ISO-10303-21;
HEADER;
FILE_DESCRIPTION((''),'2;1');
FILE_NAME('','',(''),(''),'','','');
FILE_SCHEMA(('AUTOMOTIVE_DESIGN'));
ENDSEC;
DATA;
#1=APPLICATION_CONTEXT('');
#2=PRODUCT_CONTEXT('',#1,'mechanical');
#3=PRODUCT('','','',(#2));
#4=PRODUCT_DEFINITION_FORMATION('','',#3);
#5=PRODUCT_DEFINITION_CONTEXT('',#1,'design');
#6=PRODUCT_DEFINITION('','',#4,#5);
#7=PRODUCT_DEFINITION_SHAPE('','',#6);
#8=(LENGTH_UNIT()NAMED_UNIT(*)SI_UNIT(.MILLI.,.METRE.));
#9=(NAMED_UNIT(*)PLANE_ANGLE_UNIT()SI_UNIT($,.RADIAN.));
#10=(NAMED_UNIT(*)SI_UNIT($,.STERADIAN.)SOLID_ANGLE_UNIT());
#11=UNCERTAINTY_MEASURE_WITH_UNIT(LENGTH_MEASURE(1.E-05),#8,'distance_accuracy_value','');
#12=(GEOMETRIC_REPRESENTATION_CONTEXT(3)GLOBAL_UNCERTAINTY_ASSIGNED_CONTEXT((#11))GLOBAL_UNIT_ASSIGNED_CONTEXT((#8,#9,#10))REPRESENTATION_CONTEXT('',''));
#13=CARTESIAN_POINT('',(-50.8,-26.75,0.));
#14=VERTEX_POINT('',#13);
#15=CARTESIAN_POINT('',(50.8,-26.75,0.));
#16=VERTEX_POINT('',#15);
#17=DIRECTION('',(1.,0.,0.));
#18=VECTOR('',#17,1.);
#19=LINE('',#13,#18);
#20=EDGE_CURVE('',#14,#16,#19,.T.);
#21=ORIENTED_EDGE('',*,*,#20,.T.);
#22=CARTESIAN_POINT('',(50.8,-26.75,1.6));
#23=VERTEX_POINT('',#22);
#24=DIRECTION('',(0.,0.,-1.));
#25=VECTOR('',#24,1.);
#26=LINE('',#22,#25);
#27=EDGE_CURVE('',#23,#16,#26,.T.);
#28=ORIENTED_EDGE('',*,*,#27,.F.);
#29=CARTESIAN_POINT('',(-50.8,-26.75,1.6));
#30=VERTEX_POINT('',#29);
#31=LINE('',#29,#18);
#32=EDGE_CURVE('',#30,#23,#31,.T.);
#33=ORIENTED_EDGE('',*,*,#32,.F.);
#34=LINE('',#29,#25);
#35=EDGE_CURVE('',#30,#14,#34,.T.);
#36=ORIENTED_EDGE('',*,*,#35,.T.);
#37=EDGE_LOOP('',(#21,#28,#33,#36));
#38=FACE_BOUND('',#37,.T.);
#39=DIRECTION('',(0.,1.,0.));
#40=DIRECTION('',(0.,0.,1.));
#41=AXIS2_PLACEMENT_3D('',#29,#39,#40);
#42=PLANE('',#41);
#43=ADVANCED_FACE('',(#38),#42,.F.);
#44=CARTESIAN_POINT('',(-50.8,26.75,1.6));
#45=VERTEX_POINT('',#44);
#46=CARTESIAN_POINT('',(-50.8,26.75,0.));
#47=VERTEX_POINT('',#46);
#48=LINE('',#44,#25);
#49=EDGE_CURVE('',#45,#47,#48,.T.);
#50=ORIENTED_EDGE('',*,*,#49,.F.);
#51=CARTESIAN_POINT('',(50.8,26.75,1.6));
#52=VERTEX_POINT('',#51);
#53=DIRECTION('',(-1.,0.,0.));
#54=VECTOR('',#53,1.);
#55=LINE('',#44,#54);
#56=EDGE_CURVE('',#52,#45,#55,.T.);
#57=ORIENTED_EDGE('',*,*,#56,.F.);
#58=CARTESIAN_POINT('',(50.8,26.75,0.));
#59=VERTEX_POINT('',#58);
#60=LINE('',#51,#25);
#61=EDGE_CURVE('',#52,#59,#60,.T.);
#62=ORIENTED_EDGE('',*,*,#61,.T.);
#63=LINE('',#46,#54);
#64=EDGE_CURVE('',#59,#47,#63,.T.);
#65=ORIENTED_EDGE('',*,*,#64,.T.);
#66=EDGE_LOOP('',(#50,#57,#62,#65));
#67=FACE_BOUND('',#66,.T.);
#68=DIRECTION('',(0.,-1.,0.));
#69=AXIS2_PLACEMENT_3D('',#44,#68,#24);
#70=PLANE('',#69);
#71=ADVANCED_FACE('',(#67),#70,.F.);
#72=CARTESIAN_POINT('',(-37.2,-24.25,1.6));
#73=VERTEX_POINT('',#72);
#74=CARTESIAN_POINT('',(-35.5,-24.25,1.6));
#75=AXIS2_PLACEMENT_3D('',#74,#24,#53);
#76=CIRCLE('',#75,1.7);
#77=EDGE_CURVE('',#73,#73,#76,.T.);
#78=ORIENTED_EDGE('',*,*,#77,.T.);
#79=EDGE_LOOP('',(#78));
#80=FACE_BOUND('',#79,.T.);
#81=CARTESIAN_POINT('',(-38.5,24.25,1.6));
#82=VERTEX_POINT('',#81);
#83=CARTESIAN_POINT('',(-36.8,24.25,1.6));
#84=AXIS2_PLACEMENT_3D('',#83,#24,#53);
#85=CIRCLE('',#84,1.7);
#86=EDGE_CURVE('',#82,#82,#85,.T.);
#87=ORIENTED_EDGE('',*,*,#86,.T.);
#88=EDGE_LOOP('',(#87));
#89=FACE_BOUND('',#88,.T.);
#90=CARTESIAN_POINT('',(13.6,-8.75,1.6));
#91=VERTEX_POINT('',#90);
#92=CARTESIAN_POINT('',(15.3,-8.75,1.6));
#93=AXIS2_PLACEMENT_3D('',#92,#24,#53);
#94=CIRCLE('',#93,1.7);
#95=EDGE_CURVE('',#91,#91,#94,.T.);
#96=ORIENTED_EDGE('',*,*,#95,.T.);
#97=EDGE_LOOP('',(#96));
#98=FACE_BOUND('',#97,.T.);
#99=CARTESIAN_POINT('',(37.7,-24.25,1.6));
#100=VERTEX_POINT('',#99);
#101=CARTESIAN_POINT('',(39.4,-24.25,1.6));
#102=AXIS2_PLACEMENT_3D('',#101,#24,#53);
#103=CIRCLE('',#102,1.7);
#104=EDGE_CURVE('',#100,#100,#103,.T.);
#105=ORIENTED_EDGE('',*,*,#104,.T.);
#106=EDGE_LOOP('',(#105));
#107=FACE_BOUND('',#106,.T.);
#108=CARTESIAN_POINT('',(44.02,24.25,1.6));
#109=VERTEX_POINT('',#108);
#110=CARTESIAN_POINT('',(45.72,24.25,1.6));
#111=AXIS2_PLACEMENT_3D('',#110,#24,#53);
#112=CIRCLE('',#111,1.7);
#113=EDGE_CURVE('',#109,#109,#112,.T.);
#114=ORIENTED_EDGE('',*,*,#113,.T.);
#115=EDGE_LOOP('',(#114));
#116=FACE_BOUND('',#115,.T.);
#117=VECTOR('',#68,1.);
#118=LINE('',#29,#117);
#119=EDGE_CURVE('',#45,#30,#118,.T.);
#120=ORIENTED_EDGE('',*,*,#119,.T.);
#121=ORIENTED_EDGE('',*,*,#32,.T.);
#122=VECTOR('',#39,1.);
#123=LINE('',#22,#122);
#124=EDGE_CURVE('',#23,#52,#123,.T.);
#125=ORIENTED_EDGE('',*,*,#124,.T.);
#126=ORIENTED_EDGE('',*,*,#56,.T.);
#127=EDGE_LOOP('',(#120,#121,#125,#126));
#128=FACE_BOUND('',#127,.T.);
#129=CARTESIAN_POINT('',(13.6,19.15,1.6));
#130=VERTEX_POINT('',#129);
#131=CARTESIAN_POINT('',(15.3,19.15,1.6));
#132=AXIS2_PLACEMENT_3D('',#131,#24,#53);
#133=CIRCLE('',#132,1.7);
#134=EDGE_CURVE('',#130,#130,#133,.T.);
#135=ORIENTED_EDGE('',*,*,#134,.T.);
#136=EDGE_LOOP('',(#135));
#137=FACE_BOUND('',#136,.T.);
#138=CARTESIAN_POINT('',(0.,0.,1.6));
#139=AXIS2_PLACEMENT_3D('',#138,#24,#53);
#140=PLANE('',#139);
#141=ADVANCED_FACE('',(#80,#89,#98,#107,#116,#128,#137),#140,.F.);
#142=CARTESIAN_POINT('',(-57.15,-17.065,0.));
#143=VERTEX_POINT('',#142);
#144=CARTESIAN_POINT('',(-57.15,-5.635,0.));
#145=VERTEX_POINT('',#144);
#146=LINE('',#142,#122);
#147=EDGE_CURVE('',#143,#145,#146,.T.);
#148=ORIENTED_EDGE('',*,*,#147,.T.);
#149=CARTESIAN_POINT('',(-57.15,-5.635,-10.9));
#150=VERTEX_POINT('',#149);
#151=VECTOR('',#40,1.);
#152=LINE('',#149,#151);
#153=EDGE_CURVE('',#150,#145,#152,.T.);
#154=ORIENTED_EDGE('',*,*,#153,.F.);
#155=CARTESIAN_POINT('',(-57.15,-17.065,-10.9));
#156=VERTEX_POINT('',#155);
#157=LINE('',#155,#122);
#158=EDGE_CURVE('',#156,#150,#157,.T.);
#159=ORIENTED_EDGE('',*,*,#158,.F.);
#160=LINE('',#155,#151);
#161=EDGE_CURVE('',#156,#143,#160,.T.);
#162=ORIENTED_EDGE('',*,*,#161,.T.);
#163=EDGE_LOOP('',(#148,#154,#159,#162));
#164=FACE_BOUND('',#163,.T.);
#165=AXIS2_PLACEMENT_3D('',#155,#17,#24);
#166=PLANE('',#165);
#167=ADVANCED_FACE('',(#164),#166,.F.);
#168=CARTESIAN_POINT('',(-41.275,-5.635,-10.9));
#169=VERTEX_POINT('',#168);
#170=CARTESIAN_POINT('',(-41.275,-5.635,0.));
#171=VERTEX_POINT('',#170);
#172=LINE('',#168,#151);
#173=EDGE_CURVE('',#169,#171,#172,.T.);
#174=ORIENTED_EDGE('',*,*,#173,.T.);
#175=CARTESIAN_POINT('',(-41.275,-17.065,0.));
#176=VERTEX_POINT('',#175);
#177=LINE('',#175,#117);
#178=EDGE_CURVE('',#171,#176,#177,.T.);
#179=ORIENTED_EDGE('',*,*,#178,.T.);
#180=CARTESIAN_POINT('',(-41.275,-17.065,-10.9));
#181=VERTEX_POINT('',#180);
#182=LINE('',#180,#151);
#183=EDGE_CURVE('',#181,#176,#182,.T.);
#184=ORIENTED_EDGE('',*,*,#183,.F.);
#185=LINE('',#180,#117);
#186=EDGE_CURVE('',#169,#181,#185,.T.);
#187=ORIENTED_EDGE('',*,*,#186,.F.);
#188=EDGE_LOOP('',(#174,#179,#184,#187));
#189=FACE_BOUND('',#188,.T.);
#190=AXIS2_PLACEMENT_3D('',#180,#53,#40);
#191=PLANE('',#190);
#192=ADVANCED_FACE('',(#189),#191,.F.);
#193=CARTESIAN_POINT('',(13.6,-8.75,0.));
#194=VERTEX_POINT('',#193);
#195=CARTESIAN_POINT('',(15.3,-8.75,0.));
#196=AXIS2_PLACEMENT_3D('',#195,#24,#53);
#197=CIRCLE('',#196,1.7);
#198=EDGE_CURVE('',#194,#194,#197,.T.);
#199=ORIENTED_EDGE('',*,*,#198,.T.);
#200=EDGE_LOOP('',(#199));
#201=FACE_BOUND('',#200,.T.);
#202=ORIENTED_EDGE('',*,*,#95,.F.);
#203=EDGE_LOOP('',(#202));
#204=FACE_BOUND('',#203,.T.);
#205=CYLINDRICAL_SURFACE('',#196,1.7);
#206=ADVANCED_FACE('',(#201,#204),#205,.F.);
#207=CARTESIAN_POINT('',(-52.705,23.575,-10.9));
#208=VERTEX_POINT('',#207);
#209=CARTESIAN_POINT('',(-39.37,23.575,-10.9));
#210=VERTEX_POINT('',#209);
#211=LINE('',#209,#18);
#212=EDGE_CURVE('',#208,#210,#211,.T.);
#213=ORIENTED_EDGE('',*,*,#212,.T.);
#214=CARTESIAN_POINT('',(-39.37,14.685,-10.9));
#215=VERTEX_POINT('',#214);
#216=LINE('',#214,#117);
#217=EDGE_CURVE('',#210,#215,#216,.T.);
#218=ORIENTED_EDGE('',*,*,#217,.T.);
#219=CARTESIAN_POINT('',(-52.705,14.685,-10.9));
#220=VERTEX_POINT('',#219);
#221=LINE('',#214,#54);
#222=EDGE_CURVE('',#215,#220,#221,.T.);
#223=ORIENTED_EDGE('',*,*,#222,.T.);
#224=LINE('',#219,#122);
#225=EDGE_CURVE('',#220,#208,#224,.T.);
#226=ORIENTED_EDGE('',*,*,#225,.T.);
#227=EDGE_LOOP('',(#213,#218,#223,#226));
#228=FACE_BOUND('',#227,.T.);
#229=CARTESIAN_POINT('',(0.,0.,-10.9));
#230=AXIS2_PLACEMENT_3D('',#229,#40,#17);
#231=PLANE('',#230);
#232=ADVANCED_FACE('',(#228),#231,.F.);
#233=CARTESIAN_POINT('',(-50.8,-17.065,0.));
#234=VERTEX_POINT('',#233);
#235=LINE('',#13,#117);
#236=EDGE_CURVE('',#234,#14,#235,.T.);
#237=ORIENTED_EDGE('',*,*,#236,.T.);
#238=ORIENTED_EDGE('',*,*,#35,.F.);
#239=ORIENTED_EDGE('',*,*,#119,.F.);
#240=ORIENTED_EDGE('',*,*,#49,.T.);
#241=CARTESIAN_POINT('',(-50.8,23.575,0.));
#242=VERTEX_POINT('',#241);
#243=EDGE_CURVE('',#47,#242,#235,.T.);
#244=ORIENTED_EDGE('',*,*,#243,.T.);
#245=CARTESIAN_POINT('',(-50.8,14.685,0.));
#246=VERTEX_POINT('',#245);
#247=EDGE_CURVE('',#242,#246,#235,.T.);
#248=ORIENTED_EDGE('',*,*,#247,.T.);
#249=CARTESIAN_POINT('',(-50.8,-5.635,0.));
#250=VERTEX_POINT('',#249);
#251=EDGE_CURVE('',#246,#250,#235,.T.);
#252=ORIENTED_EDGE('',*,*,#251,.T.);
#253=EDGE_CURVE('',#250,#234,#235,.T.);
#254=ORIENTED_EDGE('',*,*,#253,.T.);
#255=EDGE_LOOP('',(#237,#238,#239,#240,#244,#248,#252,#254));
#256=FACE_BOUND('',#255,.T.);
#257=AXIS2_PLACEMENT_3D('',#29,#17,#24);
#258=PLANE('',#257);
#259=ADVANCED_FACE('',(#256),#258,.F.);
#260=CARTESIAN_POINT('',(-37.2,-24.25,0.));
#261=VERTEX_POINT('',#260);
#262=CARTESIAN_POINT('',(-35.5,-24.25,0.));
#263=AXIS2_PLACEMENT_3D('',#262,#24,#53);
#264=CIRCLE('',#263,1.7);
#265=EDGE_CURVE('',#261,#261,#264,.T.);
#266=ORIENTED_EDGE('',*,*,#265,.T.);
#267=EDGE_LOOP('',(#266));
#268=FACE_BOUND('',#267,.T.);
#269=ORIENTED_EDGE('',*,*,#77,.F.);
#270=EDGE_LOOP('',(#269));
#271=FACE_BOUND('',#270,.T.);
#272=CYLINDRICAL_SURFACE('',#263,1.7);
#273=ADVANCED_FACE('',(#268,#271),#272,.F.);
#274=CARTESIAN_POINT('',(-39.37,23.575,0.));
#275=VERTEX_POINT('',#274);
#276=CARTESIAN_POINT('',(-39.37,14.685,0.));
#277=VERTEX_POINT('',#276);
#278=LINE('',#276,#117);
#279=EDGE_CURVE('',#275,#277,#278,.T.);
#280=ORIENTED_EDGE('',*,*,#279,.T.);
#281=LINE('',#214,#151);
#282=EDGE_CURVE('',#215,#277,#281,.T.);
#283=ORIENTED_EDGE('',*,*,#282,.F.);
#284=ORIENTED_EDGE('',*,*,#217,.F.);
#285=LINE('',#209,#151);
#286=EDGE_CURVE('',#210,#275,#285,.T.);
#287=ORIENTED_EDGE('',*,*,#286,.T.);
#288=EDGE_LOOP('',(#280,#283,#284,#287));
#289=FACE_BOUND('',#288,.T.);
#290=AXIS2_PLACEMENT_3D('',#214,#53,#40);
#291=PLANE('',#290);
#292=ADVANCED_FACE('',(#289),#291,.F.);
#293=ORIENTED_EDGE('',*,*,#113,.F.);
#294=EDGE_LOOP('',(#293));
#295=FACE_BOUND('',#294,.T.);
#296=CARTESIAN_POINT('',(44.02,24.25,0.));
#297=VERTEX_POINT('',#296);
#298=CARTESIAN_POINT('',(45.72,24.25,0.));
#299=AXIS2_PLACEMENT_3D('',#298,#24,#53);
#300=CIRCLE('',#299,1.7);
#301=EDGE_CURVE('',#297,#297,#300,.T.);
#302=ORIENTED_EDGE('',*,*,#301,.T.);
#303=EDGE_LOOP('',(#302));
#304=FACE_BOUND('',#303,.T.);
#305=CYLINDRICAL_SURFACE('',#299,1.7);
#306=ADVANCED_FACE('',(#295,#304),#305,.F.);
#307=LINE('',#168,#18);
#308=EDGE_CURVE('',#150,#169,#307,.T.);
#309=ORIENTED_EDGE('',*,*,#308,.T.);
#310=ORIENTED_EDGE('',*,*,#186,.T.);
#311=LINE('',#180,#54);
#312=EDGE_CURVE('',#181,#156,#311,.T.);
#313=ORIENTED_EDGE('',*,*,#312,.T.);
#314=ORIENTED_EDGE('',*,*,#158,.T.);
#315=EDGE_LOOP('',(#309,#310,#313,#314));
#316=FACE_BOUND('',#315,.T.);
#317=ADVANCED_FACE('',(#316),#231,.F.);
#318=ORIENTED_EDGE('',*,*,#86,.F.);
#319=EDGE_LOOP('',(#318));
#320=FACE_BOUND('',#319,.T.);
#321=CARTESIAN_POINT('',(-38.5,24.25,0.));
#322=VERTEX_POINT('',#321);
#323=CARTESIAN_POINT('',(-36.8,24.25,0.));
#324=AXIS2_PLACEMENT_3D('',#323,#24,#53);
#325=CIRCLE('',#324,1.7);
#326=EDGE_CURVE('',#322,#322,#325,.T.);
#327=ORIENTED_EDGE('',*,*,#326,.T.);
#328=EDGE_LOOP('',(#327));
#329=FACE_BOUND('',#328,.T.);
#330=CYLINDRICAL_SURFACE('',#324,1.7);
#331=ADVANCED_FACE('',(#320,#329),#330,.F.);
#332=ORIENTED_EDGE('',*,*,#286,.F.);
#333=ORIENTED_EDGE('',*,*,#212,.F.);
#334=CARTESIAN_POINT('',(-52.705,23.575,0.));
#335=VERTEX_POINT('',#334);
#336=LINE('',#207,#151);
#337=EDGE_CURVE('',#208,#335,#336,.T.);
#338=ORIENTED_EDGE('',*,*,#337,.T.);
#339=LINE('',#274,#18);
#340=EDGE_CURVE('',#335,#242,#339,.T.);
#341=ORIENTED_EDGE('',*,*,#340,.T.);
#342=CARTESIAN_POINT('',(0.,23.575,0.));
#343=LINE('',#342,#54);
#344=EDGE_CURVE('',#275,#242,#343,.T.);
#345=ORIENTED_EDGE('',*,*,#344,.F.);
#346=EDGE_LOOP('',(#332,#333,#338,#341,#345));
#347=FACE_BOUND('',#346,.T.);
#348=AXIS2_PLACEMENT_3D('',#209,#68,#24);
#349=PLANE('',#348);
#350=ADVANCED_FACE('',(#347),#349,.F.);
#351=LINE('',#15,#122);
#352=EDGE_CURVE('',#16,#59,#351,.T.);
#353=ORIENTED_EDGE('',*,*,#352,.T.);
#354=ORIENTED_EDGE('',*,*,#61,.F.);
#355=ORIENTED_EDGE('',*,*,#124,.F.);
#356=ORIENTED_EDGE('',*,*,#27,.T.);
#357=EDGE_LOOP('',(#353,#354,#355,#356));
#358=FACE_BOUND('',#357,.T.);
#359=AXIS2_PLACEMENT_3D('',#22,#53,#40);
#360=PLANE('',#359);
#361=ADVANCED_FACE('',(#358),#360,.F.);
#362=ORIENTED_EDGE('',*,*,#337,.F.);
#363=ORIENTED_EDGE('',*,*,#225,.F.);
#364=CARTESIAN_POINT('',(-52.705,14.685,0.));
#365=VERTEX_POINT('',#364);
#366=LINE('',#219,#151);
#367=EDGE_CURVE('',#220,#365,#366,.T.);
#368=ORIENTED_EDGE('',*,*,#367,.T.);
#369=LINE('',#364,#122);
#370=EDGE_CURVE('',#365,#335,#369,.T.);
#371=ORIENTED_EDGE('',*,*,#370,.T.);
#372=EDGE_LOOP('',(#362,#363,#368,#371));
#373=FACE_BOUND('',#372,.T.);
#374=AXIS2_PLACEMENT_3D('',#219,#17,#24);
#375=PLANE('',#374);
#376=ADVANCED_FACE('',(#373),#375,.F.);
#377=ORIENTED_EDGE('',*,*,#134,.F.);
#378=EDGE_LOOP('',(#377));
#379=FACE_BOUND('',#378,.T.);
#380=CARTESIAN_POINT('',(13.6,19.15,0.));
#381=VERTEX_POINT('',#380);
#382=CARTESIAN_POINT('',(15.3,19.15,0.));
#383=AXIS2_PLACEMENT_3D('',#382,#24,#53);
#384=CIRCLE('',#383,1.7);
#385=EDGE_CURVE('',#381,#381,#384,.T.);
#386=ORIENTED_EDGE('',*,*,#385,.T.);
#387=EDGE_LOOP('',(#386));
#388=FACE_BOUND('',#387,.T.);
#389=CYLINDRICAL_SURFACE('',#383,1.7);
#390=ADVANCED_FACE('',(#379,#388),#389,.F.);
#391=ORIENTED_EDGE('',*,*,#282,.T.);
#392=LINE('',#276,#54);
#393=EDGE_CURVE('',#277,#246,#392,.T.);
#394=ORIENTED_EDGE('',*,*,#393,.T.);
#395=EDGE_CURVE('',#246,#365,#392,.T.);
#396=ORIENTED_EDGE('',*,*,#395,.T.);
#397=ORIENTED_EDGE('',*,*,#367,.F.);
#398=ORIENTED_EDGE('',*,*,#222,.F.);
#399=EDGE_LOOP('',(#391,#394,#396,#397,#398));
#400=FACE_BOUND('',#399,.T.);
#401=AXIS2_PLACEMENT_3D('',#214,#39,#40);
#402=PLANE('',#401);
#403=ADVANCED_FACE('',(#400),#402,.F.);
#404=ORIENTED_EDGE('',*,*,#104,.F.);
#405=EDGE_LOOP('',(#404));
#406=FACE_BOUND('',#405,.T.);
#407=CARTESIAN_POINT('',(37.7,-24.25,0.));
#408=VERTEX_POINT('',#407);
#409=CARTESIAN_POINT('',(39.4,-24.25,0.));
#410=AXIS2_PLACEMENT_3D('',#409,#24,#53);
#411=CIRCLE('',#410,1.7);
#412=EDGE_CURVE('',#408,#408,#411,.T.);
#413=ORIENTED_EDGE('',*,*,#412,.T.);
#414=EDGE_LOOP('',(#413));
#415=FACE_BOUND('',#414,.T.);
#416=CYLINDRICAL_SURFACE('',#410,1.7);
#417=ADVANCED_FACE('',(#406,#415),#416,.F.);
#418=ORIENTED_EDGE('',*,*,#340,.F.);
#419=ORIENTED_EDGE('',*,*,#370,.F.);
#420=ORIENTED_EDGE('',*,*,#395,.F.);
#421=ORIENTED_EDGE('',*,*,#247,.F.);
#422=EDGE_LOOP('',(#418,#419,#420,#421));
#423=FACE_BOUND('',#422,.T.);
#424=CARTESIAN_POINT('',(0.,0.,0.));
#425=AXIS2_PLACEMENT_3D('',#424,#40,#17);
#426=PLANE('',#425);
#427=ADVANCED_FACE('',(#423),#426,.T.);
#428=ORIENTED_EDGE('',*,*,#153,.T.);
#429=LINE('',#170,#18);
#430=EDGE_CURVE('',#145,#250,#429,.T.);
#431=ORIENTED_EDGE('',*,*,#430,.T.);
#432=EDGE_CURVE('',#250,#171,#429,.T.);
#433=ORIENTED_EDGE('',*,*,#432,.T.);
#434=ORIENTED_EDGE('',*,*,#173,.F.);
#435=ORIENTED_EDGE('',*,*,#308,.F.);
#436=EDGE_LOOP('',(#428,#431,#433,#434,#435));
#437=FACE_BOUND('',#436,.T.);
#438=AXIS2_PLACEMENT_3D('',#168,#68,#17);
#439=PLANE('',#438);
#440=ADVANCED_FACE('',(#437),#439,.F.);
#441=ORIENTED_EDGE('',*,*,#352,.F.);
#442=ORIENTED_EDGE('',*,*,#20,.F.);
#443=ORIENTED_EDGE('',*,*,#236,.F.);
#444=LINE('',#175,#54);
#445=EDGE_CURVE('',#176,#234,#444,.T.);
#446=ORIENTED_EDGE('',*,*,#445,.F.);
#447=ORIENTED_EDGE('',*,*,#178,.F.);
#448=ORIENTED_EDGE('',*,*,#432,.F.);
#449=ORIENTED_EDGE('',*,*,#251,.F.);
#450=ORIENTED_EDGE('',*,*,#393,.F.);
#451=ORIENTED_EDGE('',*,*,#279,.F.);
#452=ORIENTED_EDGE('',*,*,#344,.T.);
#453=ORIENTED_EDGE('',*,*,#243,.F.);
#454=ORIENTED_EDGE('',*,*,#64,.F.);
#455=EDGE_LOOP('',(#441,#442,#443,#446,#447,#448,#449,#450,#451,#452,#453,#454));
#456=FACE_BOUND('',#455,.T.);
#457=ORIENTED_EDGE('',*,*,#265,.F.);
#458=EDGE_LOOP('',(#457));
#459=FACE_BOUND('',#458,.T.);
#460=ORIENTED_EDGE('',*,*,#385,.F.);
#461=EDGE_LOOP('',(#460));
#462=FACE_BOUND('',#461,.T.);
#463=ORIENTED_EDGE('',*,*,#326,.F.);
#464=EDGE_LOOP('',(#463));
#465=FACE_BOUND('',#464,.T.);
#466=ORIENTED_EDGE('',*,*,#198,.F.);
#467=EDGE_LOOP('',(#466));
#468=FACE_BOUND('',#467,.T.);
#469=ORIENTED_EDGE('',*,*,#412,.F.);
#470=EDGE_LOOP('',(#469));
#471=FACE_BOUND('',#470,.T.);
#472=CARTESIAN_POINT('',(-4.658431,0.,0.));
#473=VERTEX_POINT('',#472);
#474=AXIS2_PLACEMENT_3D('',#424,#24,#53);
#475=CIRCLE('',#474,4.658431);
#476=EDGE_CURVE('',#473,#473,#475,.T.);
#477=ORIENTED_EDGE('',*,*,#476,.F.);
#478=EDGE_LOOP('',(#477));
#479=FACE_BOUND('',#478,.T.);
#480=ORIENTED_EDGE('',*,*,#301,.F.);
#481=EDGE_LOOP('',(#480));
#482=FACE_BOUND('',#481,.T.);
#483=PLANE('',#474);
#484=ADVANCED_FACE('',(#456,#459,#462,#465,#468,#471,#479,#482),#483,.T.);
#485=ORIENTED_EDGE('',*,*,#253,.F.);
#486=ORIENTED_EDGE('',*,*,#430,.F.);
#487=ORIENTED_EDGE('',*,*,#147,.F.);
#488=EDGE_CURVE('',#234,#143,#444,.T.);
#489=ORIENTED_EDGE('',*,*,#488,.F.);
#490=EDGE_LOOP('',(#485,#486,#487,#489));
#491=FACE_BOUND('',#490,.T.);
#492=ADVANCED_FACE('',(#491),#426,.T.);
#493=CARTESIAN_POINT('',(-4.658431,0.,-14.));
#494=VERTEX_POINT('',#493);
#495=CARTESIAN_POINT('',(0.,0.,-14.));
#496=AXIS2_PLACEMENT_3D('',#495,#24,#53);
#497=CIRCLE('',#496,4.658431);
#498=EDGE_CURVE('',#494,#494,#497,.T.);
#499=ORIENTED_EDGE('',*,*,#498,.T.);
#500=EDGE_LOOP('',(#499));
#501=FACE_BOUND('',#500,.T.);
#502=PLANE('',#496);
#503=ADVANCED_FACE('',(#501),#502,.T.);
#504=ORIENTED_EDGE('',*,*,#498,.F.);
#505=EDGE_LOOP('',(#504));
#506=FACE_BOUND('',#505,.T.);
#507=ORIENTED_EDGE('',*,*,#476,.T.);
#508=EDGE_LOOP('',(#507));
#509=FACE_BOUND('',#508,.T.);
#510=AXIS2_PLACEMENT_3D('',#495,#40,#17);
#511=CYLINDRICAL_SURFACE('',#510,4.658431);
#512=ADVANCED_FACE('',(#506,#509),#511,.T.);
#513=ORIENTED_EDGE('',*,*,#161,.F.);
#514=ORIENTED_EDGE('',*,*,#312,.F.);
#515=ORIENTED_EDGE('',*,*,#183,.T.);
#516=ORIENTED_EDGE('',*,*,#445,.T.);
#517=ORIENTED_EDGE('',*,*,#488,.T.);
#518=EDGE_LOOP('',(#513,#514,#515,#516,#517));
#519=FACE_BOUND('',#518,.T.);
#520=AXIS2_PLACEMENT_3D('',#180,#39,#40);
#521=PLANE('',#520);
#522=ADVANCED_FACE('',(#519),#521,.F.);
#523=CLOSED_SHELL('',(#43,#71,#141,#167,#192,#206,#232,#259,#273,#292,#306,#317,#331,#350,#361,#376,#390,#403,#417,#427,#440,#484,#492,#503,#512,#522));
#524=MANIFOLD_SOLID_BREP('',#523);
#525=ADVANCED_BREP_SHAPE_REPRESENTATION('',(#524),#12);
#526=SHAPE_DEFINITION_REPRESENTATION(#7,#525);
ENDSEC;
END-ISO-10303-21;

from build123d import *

# Parameters (mm, degrees)
SKETCH1_W            = 101.6
SKETCH1_H            = 53.5
BOSS_EXTRUDE1_DEPTH  = 1.6
M3_CLEARANCE_HOLE1_D = 3.4
SKETCH5_W            = 15.875
SKETCH5_H            = 11.43
BOSS_EXTRUDE2_DEPTH  = 10.9
SKETCH6_W            = 13.335
SKETCH6_H            = 8.89
BOSS_EXTRUDE3_DEPTH  = 10.9
SKETCH7_R            = 4.658430909
BOSS_EXTRUDE4_DEPTH  = 14


with BuildPart() as part:
    # Sketch1 → Boss-Extrude1 (new body)
    with BuildSketch(Plane.XY):
        Rectangle(SKETCH1_W, SKETCH1_H)
    extrude(amount=BOSS_EXTRUDE1_DEPTH)

    # M3 Clearance Hole1 (through all)
    with Locations(Plane(origin=(0, 0, 0), x_dir=(-1, 0, 0), z_dir=(0, 0, -1))):
        with Locations((-15.3, 19.15), (-45.72, 24.25), (-15.3, -8.75), (-39.4, -24.25), (35.5, -24.25), (36.8, 24.25)):
            Hole(M3_CLEARANCE_HOLE1_D / 2)

    # Sketch5 → Boss-Extrude2 (add)
    with BuildSketch(Plane(origin=(0, 0, 0), x_dir=(-1, 0, 0), z_dir=(0, 0, -1))):
        with Locations((49.2125, -11.35)):
            Rectangle(SKETCH5_W, SKETCH5_H)
    extrude(amount=BOSS_EXTRUDE2_DEPTH)

    # Sketch6 → Boss-Extrude3 (add)
    with BuildSketch(Plane(origin=(0, 0, 0), x_dir=(-1, 0, 0), z_dir=(0, 0, -1))):
        with Locations((46.0375, 19.13)):
            Rectangle(SKETCH6_W, SKETCH6_H)
    extrude(amount=BOSS_EXTRUDE3_DEPTH)

    # Sketch7 → Boss-Extrude4 (add)
    with BuildSketch(Plane(origin=(0, 0, 0), x_dir=(-1, 0, 0), z_dir=(0, 0, -1))):
        Circle(SKETCH7_R)
    extrude(amount=BOSS_EXTRUDE4_DEPTH)


solid = part.part
